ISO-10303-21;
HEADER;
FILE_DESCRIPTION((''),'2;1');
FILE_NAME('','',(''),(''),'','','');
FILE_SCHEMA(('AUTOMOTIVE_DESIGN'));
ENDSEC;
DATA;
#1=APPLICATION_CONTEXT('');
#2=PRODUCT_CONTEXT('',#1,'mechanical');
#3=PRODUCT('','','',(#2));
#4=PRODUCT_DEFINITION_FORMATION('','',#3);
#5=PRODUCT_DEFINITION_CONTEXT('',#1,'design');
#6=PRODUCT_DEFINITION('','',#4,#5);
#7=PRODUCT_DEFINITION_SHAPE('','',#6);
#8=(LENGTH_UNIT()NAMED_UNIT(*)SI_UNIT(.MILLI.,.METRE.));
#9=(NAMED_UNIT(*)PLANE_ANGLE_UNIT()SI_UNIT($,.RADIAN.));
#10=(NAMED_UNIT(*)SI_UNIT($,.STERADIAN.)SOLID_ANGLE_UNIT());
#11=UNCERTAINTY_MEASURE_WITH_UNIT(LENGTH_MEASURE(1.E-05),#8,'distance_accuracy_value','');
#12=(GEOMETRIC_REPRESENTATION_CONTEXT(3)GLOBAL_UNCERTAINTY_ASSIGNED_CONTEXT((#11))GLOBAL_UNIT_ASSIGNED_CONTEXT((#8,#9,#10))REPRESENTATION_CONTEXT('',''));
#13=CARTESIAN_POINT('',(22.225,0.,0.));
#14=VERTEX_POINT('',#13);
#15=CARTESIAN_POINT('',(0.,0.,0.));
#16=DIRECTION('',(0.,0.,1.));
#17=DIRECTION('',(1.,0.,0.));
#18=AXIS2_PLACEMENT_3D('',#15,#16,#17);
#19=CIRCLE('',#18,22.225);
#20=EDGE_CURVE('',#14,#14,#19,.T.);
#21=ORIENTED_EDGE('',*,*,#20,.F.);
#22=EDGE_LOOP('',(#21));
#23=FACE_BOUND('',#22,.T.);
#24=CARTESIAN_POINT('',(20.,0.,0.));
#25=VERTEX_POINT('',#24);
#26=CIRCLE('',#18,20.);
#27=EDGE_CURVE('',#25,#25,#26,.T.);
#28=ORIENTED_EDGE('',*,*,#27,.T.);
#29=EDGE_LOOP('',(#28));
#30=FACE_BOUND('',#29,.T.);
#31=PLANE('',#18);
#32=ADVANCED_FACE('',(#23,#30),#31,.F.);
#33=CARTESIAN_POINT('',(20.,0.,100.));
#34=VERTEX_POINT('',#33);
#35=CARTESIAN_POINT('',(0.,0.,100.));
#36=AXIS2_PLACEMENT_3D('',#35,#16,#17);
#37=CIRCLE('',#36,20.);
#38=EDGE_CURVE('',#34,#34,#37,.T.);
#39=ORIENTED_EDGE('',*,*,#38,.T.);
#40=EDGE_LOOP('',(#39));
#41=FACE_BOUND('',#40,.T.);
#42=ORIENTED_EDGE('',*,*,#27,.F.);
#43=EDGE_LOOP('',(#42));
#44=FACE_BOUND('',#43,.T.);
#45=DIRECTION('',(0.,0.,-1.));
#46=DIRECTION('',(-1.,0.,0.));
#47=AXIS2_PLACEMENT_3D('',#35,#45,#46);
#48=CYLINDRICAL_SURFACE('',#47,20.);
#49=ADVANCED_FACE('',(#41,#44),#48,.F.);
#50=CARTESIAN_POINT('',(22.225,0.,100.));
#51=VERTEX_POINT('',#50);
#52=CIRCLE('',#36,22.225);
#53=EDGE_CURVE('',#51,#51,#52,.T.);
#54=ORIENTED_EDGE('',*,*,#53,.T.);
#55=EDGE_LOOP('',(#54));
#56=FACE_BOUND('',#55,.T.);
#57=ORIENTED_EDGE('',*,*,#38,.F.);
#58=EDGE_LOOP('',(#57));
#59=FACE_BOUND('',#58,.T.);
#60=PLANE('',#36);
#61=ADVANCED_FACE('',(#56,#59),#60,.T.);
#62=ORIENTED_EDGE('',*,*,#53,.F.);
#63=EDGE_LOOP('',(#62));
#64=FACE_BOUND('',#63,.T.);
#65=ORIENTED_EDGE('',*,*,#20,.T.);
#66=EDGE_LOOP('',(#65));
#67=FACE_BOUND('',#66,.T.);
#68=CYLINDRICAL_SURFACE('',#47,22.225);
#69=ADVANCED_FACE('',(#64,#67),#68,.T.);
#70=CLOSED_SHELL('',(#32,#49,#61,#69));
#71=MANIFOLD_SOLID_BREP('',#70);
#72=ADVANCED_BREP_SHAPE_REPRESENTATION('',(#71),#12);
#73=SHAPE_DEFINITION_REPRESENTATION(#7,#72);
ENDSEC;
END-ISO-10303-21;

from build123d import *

# Parameters (mm, degrees)
SKETCH1_R           = 22.225
SKETCH1_R_2         = 20
BOSS_EXTRUDE1_DEPTH = 100


with BuildPart() as part:
    # Sketch1 → Boss-Extrude1 (new body)
    with BuildSketch(Plane.XY):
        Circle(SKETCH1_R)
        Circle(SKETCH1_R_2, mode=Mode.SUBTRACT)
    extrude(amount=BOSS_EXTRUDE1_DEPTH)


solid = part.part
